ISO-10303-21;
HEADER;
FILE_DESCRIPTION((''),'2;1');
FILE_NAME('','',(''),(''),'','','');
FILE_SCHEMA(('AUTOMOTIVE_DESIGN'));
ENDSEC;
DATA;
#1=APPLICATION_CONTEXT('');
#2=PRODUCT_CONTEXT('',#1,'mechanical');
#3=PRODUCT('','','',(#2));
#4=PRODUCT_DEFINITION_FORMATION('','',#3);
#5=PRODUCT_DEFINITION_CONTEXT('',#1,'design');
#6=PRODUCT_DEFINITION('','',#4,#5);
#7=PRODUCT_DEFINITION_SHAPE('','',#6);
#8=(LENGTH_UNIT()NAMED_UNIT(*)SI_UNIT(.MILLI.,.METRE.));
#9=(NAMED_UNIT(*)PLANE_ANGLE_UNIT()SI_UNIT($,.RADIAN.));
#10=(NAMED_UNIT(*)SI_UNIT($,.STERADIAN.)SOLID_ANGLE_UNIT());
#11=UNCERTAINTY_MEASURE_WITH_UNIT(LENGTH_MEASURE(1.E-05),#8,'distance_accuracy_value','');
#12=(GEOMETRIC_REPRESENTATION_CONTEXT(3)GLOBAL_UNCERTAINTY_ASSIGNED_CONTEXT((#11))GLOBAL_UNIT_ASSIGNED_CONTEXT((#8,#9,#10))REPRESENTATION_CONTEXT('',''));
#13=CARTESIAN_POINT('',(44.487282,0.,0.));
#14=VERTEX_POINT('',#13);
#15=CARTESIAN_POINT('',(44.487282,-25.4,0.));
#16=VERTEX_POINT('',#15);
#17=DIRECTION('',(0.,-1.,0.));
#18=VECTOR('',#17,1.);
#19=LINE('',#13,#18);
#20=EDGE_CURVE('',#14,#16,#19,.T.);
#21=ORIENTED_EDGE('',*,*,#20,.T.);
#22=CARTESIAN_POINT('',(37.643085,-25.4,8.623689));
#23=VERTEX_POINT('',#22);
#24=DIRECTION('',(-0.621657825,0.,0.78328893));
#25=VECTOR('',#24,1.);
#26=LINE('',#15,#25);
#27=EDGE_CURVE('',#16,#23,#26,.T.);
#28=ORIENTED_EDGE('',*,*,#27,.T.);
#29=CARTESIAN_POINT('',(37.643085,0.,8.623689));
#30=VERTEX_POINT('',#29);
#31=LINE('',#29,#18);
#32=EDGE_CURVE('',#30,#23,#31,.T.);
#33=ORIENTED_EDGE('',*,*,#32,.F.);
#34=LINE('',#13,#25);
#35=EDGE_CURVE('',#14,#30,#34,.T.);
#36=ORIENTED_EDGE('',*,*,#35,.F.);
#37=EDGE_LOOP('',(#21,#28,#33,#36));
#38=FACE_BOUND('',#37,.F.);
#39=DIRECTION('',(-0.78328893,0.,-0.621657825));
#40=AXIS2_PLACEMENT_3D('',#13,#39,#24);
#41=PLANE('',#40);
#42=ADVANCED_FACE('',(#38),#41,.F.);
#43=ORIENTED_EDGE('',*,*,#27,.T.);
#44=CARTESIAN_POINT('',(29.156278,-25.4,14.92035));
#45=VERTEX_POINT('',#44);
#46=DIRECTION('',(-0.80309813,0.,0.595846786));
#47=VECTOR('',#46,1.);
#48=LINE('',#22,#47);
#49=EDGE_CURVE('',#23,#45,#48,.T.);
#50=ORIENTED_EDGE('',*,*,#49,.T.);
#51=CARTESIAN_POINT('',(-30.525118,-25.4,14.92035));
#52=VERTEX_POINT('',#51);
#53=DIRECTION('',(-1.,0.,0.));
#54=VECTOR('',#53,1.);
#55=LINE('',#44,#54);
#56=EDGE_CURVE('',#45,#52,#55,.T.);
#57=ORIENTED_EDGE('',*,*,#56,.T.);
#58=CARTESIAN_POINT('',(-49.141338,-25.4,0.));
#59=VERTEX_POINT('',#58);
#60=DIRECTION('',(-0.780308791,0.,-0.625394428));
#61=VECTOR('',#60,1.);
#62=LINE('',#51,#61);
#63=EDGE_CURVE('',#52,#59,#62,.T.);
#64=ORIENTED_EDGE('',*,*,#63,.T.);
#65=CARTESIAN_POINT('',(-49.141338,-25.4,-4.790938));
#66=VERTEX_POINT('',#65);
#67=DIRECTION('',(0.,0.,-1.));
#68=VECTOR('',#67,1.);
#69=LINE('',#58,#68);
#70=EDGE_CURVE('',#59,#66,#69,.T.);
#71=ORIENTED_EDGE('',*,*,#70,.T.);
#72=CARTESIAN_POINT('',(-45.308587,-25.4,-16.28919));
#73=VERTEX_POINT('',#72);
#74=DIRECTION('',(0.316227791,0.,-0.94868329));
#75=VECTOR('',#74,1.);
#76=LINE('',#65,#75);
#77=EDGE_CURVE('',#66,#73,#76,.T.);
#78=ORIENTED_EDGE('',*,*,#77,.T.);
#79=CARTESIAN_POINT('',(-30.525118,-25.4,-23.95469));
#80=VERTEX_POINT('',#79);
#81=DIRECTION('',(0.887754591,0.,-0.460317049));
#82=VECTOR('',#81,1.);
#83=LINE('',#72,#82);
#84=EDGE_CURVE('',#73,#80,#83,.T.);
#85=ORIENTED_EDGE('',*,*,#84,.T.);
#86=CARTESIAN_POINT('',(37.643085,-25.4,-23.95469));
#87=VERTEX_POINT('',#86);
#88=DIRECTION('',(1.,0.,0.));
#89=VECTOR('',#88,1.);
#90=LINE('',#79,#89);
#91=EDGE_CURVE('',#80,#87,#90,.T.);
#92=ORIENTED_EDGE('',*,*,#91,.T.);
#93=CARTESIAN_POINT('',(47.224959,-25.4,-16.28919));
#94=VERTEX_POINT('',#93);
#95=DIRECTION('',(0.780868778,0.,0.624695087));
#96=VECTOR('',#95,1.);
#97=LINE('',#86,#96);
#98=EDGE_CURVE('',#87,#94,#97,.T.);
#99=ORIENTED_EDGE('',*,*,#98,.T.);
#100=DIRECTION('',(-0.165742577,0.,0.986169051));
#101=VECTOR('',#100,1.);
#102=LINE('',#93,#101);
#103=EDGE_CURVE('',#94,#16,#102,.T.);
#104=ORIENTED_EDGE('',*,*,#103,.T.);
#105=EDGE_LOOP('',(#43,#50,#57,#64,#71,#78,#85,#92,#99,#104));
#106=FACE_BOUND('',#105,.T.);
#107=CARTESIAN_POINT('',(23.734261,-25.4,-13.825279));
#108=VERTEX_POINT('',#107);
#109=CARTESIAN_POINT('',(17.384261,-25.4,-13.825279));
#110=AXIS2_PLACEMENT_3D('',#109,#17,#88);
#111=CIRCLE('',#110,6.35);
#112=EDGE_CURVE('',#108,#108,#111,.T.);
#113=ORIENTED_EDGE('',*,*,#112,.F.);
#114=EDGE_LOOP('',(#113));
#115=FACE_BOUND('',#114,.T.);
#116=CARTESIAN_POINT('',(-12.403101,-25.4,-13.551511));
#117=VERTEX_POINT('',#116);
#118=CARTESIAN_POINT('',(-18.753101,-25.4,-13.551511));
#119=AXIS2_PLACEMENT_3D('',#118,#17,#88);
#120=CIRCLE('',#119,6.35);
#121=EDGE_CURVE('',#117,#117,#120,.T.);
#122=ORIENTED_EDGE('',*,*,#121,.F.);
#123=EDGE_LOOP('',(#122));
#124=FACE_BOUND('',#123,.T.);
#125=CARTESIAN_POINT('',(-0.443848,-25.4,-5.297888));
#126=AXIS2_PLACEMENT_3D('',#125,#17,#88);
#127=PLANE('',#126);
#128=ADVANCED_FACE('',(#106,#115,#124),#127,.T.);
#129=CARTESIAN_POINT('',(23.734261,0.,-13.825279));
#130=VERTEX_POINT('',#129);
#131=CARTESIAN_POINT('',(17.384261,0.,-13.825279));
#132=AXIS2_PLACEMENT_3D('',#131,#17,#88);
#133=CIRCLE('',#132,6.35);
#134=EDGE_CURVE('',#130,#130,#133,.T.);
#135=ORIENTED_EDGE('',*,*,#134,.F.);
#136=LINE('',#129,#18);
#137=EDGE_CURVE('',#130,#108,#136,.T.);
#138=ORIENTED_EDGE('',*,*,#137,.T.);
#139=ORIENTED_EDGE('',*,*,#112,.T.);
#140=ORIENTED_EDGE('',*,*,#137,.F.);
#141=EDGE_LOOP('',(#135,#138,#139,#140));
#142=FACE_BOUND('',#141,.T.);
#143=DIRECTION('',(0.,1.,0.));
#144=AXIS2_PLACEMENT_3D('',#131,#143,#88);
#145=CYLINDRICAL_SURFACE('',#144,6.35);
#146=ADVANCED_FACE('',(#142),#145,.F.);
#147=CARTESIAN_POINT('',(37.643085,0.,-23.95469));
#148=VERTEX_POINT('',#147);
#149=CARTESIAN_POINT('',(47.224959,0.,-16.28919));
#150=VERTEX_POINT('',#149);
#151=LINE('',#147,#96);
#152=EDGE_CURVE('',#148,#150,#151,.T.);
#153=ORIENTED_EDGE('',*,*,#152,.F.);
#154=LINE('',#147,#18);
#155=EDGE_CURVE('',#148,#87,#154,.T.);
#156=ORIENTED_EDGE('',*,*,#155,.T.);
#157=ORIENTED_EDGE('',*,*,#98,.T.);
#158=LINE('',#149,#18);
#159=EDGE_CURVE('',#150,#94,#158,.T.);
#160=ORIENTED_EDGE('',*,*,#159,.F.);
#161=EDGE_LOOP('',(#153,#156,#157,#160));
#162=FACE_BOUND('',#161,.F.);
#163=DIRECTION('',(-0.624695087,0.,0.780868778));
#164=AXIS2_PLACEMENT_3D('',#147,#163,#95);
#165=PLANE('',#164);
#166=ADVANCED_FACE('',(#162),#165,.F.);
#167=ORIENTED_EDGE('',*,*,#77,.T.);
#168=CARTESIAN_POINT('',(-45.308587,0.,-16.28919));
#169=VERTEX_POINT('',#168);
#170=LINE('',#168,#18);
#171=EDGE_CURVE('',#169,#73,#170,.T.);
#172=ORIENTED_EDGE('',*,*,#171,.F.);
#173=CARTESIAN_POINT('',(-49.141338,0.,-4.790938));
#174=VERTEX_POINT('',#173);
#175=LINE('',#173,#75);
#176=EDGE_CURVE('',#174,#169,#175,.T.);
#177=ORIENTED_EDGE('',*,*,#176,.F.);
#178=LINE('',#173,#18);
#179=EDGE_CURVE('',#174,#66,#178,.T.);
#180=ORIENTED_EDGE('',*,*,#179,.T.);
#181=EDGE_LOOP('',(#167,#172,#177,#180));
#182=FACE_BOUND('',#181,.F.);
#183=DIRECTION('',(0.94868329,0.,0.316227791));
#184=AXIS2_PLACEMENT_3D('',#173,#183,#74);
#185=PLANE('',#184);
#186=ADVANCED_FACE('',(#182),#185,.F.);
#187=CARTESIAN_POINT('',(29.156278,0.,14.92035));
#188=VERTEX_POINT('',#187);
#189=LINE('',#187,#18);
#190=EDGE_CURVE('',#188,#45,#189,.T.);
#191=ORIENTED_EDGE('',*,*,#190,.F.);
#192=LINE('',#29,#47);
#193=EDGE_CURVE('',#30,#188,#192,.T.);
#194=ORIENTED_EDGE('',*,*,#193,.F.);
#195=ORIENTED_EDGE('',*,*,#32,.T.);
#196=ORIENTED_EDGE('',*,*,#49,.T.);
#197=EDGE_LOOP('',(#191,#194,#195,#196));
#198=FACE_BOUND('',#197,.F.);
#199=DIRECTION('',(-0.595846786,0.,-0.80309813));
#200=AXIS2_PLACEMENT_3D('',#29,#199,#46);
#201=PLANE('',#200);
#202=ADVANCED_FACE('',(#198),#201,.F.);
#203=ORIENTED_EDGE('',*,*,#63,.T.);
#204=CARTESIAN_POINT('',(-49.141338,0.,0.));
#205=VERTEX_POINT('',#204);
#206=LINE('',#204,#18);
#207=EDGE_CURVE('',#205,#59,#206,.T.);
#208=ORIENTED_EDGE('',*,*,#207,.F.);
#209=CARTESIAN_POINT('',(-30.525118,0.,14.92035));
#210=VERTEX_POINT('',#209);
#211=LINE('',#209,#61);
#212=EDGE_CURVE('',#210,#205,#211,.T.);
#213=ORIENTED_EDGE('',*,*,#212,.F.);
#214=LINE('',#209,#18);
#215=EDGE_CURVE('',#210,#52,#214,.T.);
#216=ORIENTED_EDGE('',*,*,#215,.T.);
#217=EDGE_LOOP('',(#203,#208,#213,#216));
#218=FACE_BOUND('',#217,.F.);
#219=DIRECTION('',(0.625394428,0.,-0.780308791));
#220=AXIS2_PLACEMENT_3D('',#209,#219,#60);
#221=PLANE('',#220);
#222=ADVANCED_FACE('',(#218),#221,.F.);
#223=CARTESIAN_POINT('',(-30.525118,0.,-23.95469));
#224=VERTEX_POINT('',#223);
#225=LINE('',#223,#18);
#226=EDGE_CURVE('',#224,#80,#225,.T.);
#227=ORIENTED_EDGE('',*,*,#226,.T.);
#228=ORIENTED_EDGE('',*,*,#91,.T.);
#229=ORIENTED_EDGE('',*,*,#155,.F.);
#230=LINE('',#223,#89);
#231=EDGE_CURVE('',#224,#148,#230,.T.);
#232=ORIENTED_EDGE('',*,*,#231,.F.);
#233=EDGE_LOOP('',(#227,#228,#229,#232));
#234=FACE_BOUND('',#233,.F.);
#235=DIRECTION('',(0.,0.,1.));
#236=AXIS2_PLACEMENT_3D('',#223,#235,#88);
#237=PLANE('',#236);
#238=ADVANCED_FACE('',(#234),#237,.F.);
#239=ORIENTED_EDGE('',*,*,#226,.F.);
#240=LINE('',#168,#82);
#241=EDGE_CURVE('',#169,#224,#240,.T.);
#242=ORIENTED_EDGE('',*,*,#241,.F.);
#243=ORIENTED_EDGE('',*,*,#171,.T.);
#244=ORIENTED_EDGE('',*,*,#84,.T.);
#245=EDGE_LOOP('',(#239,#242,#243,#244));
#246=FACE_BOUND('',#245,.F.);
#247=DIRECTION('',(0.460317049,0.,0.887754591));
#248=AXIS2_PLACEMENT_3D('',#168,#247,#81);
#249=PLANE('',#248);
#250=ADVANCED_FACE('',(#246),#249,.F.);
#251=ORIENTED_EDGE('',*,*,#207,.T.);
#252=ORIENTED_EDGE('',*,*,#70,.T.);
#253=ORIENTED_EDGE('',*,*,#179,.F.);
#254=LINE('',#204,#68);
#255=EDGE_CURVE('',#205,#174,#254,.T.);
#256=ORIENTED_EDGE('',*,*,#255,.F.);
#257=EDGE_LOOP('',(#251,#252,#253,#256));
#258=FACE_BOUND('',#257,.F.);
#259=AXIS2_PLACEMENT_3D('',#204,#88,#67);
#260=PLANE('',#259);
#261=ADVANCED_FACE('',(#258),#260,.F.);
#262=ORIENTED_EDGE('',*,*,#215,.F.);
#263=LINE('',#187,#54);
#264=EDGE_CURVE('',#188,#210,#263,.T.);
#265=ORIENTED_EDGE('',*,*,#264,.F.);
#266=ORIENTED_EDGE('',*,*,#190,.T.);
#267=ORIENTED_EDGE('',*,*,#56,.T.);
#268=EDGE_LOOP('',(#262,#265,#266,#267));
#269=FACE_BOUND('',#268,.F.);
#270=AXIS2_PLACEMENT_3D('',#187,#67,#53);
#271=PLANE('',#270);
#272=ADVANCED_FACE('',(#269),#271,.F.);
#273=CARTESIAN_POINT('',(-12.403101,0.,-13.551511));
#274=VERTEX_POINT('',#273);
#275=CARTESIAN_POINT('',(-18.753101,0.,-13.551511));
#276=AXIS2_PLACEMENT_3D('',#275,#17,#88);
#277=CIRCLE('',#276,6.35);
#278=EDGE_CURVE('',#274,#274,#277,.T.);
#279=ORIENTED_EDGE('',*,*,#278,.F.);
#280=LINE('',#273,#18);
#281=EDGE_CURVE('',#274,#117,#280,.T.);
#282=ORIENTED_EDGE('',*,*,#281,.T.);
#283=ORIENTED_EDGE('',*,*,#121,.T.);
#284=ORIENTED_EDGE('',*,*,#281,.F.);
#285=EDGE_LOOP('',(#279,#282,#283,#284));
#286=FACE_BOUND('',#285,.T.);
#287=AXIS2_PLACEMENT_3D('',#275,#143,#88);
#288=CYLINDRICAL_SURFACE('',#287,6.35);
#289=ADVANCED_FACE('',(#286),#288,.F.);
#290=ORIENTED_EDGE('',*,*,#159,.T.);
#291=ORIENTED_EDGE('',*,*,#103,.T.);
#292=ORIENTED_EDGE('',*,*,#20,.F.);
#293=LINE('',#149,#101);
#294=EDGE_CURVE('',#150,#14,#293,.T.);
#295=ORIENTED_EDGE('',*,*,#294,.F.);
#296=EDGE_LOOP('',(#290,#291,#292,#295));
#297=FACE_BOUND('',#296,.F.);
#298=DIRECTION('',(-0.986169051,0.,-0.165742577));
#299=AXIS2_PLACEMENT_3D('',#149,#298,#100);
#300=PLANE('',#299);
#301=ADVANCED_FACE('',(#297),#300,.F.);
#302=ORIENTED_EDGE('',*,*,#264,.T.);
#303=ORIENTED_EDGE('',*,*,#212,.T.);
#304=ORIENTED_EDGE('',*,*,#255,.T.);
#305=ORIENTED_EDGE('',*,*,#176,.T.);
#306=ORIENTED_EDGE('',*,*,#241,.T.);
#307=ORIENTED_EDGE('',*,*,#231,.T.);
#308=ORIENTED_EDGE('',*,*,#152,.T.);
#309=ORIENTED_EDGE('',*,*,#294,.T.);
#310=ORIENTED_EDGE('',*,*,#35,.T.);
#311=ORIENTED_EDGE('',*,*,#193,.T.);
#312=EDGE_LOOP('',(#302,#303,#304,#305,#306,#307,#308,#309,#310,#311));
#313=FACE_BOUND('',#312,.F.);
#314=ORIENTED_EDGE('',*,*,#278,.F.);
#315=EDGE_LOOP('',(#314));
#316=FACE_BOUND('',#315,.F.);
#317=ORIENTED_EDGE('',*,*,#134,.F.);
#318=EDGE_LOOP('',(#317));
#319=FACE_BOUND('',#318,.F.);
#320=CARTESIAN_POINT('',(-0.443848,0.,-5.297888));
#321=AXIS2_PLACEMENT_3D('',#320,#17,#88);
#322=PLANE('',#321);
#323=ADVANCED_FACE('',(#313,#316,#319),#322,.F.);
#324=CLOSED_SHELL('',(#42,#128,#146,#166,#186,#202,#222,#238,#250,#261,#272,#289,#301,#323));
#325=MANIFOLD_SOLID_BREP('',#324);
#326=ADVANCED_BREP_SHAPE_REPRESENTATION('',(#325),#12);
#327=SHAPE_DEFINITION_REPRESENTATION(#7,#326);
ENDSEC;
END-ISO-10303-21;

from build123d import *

# Parameters (mm, degrees)
F0_R     = 6.35
F1_DEPTH = 25.4


with BuildPart() as f1:
    # F0 (on Front) → F1 (new body)
    with BuildSketch(Plane.XZ):
        Polygon((29.156278, 14.92035), (-30.525118, 14.92035), (-49.141338, 0), (-49.141338, -4.790938), (-45.308587, -16.28919), (-30.525118, -23.95469), (37.643085, -23.95469), (47.224959, -16.28919), (44.487282, 0), (37.643085, 8.623689), align=None)
        with Locations((-18.753101, -13.551511)):
            Circle(F0_R, mode=Mode.SUBTRACT)
        with Locations((17.384261, -13.825279)):
            Circle(F0_R, mode=Mode.SUBTRACT)
    extrude(amount=F1_DEPTH)


solid = f1.part
